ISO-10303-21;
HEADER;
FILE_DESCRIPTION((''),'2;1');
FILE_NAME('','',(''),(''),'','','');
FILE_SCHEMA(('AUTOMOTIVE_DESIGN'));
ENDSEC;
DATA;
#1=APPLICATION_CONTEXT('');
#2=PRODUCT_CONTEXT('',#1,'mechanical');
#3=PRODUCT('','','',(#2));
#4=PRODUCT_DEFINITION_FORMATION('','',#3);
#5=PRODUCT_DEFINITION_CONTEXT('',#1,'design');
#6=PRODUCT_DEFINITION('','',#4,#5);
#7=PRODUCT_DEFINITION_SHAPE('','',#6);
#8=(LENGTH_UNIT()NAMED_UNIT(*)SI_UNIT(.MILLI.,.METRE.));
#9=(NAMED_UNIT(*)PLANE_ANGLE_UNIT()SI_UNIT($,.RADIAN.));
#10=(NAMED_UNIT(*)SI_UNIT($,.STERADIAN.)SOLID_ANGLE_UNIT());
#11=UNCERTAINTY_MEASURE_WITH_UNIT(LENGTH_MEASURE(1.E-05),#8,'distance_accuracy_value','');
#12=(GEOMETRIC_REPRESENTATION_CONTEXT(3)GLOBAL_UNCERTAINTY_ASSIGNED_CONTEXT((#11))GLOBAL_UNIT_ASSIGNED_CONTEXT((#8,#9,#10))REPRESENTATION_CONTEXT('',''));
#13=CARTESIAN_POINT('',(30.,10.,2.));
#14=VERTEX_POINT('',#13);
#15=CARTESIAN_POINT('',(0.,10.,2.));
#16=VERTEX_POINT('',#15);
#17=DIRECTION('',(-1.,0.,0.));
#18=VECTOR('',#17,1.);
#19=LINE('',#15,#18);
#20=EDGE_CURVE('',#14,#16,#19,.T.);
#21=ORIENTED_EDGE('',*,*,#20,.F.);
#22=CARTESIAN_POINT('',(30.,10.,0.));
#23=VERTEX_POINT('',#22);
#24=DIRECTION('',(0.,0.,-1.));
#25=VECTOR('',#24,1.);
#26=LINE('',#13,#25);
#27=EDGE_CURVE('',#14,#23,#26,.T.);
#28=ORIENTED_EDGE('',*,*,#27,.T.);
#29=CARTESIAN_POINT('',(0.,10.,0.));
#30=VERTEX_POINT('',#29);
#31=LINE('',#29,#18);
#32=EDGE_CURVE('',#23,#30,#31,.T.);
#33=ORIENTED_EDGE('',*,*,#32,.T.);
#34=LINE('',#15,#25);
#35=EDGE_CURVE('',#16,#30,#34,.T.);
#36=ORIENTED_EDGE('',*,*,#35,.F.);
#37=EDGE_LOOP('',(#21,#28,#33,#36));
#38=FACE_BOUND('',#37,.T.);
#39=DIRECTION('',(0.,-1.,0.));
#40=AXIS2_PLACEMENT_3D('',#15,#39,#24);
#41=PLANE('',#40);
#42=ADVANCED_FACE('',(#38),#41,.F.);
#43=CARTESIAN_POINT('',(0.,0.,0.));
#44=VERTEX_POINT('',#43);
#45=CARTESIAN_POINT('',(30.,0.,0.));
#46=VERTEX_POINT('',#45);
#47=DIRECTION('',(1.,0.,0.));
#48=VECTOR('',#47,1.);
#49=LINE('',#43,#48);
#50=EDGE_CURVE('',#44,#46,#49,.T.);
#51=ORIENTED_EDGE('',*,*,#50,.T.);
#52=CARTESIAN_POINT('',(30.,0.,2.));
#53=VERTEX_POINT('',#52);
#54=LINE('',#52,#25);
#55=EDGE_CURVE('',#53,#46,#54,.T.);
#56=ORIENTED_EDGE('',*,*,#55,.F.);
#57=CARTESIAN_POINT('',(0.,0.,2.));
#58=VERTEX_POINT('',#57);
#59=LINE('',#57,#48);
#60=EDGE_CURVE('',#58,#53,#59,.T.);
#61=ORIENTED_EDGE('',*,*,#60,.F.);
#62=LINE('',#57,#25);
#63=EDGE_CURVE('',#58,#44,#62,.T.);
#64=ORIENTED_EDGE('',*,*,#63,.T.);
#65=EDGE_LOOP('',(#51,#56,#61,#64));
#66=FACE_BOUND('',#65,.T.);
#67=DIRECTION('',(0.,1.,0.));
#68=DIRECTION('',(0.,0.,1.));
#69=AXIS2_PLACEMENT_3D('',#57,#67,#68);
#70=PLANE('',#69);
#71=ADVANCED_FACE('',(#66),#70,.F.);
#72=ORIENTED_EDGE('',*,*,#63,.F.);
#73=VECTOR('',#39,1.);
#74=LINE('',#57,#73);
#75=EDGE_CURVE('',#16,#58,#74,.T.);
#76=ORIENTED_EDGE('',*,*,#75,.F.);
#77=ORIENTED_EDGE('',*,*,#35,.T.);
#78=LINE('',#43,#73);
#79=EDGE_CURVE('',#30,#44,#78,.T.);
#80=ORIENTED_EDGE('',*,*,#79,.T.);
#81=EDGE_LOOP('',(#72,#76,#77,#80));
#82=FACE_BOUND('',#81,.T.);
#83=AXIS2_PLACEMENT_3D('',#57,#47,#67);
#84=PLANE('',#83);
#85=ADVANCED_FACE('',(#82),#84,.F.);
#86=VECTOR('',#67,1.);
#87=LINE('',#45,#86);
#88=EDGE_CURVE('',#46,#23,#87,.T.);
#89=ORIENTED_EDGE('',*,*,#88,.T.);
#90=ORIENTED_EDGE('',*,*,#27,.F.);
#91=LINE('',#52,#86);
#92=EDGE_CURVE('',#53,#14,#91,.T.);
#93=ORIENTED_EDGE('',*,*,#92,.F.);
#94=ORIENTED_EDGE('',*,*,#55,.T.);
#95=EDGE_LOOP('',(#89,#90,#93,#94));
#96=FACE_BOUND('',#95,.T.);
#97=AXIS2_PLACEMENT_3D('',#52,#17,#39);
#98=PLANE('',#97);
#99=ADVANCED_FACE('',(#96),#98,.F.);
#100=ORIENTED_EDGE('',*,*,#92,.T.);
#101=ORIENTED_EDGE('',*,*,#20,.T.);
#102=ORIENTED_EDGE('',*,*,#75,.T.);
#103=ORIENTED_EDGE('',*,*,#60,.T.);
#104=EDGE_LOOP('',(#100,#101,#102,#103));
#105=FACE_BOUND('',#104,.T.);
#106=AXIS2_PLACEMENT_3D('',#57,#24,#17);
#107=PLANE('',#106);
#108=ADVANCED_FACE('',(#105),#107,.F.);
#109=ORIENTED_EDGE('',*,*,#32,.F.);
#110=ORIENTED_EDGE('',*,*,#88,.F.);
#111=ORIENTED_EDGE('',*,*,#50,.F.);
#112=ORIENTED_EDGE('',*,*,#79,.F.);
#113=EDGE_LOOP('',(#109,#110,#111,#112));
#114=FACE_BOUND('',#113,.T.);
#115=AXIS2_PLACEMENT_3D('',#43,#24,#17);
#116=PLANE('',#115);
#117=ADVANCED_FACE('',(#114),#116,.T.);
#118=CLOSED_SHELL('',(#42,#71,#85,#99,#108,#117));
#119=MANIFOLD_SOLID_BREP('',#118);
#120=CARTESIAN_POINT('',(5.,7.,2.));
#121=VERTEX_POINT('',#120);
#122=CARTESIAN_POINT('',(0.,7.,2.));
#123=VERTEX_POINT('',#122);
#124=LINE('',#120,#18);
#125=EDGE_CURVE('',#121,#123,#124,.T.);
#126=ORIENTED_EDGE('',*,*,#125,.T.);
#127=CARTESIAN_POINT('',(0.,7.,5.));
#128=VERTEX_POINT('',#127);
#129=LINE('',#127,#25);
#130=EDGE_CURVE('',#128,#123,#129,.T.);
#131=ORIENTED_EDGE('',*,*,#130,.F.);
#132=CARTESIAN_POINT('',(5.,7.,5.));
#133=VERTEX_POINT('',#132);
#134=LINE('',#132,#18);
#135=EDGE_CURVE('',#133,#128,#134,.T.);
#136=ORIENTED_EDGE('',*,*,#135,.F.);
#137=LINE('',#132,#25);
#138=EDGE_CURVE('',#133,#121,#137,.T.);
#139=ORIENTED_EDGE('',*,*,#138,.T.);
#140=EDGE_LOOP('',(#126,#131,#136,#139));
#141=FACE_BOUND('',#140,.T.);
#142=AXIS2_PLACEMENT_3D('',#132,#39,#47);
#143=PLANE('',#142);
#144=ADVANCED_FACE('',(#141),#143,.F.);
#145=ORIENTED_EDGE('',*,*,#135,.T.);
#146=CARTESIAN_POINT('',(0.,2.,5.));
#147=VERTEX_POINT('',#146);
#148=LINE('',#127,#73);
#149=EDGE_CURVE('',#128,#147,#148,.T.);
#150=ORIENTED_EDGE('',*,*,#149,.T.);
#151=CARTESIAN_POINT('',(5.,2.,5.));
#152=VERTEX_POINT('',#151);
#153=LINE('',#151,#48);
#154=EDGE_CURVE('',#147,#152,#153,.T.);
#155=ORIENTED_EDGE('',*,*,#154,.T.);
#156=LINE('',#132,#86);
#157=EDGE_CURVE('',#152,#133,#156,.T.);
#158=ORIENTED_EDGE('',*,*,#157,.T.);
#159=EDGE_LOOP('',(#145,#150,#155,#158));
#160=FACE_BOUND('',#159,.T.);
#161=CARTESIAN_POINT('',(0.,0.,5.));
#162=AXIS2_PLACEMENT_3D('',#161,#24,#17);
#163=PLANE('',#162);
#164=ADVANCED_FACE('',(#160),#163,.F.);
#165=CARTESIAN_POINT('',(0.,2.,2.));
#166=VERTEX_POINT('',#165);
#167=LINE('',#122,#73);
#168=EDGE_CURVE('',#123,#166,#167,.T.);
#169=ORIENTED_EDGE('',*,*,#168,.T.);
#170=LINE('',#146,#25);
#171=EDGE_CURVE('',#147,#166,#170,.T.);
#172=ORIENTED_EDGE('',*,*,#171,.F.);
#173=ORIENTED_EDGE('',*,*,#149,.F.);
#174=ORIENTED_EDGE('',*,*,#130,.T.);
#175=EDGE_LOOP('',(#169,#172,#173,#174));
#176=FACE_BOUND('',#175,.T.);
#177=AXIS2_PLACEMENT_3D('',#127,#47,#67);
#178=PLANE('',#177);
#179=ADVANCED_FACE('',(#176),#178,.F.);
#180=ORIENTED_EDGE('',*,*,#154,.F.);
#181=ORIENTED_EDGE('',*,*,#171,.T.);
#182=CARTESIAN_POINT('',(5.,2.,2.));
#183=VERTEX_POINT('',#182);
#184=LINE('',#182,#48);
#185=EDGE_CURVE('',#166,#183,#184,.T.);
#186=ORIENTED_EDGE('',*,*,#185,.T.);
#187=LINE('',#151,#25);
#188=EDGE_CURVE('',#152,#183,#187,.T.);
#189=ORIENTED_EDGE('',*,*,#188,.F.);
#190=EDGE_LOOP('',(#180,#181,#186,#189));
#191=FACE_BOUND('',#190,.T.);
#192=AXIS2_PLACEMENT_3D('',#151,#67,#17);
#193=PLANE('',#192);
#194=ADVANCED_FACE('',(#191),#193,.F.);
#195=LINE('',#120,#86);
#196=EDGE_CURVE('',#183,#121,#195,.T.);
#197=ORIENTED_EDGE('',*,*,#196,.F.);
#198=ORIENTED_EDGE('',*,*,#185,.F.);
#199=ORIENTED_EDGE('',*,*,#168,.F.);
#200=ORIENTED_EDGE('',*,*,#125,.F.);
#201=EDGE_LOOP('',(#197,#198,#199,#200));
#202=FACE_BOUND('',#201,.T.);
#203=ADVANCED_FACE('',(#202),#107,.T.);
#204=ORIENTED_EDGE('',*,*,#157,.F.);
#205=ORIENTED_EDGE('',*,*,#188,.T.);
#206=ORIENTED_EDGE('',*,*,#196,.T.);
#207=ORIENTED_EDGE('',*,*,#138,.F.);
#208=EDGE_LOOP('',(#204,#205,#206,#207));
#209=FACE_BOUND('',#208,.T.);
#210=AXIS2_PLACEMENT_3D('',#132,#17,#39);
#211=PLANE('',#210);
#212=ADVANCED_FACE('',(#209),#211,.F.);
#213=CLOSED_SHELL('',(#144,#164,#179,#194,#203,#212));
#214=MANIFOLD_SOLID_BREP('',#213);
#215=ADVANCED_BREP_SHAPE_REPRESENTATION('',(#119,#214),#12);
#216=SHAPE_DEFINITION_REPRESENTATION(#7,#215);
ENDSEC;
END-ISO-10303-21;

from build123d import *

# Parameters (mm, degrees)
SKETCH_1_W      = 30
SKETCH_1_H      = 10
EXTRUDE_1_DEPTH = 2
SKETCH_2_W      = 5
SKETCH_2_H      = 5
EXTRUDE_2_DEPTH = 3


with BuildPart() as part:
    # 草图1 → 凸台-拉伸1 (new body)
    with BuildSketch(Plane.XY):
        with Locations((15, 5)):
            Rectangle(SKETCH_1_W, SKETCH_1_H)
    extrude(amount=EXTRUDE_1_DEPTH)


with BuildPart() as body_2:
    # 草图2 → 凸台-拉伸2 (new body)
    with BuildSketch(Plane.XY.offset(2)):
        with Locations((2.5, 4.5)):
            Rectangle(SKETCH_2_W, SKETCH_2_H)
    extrude(amount=EXTRUDE_2_DEPTH)


solid = Compound([part.part, body_2.part])
